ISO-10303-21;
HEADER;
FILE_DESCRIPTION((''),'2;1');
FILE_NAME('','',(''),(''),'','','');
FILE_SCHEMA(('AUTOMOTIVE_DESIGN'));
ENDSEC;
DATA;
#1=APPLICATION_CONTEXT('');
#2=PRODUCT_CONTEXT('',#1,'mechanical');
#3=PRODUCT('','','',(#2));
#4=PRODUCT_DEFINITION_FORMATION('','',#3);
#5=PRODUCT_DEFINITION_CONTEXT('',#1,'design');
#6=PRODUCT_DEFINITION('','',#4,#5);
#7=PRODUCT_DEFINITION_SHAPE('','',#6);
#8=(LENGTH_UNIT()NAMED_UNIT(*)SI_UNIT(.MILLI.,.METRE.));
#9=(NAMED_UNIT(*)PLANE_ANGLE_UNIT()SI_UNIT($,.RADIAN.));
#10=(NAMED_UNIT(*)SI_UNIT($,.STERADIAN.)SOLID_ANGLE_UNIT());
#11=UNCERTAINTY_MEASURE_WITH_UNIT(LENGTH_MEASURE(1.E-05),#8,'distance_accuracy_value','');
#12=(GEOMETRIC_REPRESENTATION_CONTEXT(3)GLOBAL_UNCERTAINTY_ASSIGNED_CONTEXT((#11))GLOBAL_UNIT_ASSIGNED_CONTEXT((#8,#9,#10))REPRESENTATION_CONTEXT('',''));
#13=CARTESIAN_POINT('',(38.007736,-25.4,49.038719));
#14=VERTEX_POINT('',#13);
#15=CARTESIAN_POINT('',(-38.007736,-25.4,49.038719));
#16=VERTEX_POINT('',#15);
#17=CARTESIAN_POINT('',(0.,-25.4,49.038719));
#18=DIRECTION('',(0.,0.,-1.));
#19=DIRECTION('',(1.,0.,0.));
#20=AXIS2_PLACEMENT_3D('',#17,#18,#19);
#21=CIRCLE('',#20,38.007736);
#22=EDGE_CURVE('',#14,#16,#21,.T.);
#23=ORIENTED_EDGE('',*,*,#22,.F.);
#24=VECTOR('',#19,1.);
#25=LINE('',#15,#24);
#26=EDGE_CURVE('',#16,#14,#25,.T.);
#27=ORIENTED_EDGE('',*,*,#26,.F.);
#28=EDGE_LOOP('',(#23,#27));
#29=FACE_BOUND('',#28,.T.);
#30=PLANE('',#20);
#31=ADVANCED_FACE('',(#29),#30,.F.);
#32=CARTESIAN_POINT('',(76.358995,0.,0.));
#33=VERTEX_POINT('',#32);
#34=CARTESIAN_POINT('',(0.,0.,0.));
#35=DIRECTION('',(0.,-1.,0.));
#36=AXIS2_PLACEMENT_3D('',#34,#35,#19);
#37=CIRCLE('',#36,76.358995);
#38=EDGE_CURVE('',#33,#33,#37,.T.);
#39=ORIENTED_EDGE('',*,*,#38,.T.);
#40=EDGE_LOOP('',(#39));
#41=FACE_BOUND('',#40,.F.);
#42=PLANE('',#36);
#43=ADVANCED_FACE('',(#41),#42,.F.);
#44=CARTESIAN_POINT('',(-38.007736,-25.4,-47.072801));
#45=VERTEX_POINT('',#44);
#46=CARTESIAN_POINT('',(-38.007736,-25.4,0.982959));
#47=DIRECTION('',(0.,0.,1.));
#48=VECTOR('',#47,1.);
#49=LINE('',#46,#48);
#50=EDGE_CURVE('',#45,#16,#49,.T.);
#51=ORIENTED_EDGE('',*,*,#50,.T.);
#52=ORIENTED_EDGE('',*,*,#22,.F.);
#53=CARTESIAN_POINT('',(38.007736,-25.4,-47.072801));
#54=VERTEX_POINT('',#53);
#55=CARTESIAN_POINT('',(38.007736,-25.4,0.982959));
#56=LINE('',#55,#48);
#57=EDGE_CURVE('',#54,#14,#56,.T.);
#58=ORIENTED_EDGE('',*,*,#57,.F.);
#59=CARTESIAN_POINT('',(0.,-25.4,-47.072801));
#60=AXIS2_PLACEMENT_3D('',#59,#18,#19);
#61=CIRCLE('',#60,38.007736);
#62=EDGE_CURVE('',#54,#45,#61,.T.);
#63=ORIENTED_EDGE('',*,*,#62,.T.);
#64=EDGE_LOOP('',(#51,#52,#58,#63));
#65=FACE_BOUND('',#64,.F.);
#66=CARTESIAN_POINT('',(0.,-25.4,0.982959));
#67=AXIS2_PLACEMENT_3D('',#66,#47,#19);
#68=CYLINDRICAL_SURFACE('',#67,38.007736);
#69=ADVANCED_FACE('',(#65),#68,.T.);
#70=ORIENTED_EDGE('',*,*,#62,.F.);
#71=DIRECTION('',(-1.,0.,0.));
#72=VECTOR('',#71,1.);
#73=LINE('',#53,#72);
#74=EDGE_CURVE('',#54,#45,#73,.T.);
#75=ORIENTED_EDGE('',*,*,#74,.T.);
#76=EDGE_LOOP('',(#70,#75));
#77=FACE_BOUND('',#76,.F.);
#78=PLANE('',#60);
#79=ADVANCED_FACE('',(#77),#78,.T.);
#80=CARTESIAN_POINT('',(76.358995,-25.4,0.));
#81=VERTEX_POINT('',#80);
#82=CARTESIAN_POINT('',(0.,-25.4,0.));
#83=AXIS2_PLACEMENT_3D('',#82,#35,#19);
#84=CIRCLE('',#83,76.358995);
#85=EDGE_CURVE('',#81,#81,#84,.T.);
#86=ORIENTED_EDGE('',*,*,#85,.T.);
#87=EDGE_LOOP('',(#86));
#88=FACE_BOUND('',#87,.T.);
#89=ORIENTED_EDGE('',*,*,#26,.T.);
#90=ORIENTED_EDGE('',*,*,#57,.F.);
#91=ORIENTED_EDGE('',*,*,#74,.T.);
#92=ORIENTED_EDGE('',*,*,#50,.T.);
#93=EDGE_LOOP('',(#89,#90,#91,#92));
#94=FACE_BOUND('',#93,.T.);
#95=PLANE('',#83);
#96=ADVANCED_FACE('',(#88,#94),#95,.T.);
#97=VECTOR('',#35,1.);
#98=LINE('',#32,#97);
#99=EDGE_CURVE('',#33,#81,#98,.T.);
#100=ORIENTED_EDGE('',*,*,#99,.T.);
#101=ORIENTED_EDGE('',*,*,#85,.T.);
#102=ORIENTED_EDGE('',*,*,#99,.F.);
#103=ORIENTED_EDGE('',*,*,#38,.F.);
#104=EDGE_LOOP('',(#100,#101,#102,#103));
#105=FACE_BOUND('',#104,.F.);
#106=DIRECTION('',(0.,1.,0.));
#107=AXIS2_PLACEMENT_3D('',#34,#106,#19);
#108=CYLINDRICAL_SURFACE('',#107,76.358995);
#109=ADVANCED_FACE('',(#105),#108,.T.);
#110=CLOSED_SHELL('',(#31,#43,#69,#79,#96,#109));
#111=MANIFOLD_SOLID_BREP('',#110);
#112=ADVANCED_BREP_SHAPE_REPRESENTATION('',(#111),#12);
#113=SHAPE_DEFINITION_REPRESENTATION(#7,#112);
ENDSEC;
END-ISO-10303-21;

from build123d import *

# Parameters (mm, degrees)
F0_R     = 76.358995
F1_DEPTH = 25.4
F2_W     = 38.007736
F2_H     = 96.111521
F3_ANGLE = 180


with BuildPart() as f1:
    # F0 (on Front) → F1 (new body)
    with BuildSketch(Plane.XZ):
        Circle(F0_R)
    extrude(amount=F1_DEPTH)

    # F2 (on face) → F3 (revolve)
    with BuildSketch(Plane.XZ.offset(25.4)):
        with Locations((19.003868, 0.982959)):
            Rectangle(F2_W, F2_H)
    revolve(axis=Axis((0, -25.4, 0.982959), (0, 0, -1)), revolution_arc=F3_ANGLE)


solid = f1.part
